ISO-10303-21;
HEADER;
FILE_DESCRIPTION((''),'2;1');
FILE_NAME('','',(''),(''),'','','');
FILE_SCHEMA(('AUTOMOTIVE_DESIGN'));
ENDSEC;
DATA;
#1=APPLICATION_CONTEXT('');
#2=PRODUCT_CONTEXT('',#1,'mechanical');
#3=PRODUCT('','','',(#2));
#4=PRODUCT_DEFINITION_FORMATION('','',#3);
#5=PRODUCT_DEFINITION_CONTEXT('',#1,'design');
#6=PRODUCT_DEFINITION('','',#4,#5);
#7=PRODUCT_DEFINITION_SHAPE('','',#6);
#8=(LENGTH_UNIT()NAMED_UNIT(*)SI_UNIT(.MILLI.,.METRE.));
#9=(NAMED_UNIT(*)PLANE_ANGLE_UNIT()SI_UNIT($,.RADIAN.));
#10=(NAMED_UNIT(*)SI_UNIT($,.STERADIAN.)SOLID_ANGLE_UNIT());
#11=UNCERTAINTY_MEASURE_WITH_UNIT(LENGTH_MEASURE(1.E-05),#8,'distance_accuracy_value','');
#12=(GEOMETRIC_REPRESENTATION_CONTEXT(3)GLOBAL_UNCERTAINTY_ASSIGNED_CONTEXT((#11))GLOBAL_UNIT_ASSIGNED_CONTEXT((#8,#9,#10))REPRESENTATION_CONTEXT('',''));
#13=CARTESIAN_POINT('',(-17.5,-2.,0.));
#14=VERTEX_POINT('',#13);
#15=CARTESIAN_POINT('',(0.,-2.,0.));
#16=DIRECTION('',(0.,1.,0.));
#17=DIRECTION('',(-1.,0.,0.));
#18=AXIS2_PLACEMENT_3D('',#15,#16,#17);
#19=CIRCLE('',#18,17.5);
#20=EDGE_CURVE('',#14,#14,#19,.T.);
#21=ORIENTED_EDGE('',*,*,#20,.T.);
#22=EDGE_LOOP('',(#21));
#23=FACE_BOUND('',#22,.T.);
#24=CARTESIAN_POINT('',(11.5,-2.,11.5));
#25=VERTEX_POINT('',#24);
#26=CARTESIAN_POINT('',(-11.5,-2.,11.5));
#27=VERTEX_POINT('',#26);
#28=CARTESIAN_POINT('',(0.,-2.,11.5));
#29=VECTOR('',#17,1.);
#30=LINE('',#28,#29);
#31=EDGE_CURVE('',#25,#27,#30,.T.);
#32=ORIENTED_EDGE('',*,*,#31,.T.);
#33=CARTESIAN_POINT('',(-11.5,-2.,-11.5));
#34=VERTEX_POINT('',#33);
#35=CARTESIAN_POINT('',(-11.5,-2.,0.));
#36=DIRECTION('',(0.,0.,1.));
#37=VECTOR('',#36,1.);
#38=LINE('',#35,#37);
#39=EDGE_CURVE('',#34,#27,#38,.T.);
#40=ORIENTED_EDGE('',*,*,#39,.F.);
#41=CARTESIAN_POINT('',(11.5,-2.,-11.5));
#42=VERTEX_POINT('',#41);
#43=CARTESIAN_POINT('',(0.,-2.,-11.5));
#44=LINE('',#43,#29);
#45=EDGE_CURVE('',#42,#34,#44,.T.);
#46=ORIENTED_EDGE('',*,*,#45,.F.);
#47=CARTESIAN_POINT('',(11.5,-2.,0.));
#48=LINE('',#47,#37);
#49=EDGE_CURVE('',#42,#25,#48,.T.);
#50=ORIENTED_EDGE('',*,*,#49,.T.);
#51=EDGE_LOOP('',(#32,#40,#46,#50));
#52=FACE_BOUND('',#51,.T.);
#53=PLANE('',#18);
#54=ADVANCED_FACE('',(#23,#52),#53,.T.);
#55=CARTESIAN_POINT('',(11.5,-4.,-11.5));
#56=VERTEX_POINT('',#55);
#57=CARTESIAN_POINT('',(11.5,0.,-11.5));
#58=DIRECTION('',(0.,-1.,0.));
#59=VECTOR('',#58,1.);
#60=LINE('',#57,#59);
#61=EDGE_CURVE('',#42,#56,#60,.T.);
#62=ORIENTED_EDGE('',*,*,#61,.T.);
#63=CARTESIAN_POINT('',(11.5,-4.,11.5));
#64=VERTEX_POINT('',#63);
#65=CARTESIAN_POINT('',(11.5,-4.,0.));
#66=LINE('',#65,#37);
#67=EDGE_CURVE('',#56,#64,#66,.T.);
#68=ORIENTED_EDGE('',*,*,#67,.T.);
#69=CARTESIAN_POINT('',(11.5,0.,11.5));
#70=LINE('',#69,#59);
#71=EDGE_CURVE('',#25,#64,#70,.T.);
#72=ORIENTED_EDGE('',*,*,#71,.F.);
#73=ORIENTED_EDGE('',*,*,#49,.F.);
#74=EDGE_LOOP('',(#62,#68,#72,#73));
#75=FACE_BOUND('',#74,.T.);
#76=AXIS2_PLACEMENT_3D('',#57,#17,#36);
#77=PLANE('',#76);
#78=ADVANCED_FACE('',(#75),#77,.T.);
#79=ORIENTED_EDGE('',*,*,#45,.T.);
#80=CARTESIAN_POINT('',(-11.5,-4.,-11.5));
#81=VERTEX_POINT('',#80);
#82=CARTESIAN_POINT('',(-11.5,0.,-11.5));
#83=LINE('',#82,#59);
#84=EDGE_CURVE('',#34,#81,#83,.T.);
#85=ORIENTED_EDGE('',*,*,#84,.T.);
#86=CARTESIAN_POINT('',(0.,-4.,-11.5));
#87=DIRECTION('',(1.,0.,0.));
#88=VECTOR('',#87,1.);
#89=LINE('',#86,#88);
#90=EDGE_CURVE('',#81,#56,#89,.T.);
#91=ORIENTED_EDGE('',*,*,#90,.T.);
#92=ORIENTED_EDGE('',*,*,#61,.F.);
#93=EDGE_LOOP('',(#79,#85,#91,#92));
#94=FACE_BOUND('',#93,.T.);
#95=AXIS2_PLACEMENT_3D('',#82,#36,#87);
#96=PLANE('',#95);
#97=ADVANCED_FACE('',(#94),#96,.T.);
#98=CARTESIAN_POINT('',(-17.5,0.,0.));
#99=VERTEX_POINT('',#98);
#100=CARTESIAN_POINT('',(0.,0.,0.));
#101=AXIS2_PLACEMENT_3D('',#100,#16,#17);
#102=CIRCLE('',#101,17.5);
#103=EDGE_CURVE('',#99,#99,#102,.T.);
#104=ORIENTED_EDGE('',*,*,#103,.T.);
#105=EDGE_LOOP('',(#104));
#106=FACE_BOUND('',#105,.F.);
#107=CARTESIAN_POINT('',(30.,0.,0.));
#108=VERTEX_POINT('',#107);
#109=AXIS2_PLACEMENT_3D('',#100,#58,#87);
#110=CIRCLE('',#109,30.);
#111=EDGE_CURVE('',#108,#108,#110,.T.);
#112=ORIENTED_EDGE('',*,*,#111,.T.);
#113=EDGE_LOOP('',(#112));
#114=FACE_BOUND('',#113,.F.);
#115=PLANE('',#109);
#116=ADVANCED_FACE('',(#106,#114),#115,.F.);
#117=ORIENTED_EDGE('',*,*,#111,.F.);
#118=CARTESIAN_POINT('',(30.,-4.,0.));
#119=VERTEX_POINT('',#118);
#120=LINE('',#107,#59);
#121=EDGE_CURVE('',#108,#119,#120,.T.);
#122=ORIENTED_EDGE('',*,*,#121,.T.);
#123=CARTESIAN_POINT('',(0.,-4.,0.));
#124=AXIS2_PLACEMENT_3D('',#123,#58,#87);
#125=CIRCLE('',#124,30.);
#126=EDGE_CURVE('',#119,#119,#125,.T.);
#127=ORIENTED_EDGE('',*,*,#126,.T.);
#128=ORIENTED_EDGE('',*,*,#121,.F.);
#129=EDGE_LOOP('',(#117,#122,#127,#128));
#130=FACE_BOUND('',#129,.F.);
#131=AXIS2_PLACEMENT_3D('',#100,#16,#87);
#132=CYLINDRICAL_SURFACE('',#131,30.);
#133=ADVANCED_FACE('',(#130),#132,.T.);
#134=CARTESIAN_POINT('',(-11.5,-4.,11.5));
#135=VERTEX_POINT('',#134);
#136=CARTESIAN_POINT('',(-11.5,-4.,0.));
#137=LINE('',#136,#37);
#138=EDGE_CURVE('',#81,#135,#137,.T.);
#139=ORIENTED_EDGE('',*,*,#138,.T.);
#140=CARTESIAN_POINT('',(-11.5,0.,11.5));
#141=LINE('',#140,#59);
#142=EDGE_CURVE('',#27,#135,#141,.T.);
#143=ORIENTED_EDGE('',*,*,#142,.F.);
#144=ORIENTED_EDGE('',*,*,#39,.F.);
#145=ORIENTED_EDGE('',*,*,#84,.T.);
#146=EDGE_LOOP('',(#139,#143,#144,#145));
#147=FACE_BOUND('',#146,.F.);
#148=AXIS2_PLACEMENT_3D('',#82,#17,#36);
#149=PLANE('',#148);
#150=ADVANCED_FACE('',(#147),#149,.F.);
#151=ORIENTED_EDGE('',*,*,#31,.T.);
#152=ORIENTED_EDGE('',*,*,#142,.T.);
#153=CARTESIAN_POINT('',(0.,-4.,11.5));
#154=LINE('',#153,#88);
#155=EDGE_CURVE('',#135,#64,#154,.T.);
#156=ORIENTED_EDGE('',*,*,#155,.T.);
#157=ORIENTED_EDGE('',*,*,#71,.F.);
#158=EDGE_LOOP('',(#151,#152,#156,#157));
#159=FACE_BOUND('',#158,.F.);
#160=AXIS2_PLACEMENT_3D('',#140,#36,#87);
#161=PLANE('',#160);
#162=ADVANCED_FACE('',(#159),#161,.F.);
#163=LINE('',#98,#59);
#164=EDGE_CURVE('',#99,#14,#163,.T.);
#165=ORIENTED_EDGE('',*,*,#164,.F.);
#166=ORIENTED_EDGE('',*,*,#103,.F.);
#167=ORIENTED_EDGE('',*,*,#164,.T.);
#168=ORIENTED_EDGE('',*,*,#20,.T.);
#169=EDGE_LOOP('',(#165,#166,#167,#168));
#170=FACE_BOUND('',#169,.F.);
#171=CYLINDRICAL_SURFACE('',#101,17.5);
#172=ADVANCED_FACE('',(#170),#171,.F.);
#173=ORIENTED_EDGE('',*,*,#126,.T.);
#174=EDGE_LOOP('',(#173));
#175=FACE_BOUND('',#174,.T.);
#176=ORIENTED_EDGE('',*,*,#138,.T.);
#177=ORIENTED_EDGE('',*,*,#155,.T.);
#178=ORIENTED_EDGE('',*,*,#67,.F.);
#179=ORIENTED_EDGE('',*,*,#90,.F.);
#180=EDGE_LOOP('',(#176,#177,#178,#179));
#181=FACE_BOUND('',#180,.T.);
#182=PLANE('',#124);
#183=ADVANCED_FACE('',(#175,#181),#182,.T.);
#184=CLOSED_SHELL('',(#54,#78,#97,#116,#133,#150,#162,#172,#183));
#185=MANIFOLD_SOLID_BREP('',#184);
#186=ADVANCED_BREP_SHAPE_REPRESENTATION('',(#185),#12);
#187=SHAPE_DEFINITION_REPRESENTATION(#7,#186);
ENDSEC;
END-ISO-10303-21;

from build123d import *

# Parameters (mm, degrees)
F0_R     = 30
F0_W     = 23
F0_H     = 23
F1_DEPTH = 4
F2_R     = 17.5
F2_W     = 23
F2_H     = 23
F3_DEPTH = 2


with BuildPart() as f1:
    # F0 (on Front) → F1 (new body)
    with BuildSketch(Plane.XZ):
        Circle(F0_R)
        Rectangle(F0_W, F0_H, mode=Mode.SUBTRACT)
    extrude(amount=F1_DEPTH)

    # F2 (on face) → F3 (cut)
    with BuildSketch(Plane(origin=(0, 0, 0), x_dir=(-1, 0, 0), z_dir=(0, 1, 0))):
        Circle(F2_R)
        Rectangle(F2_W, F2_H, mode=Mode.SUBTRACT)
    extrude(amount=-F3_DEPTH, mode=Mode.SUBTRACT)


solid = f1.part
